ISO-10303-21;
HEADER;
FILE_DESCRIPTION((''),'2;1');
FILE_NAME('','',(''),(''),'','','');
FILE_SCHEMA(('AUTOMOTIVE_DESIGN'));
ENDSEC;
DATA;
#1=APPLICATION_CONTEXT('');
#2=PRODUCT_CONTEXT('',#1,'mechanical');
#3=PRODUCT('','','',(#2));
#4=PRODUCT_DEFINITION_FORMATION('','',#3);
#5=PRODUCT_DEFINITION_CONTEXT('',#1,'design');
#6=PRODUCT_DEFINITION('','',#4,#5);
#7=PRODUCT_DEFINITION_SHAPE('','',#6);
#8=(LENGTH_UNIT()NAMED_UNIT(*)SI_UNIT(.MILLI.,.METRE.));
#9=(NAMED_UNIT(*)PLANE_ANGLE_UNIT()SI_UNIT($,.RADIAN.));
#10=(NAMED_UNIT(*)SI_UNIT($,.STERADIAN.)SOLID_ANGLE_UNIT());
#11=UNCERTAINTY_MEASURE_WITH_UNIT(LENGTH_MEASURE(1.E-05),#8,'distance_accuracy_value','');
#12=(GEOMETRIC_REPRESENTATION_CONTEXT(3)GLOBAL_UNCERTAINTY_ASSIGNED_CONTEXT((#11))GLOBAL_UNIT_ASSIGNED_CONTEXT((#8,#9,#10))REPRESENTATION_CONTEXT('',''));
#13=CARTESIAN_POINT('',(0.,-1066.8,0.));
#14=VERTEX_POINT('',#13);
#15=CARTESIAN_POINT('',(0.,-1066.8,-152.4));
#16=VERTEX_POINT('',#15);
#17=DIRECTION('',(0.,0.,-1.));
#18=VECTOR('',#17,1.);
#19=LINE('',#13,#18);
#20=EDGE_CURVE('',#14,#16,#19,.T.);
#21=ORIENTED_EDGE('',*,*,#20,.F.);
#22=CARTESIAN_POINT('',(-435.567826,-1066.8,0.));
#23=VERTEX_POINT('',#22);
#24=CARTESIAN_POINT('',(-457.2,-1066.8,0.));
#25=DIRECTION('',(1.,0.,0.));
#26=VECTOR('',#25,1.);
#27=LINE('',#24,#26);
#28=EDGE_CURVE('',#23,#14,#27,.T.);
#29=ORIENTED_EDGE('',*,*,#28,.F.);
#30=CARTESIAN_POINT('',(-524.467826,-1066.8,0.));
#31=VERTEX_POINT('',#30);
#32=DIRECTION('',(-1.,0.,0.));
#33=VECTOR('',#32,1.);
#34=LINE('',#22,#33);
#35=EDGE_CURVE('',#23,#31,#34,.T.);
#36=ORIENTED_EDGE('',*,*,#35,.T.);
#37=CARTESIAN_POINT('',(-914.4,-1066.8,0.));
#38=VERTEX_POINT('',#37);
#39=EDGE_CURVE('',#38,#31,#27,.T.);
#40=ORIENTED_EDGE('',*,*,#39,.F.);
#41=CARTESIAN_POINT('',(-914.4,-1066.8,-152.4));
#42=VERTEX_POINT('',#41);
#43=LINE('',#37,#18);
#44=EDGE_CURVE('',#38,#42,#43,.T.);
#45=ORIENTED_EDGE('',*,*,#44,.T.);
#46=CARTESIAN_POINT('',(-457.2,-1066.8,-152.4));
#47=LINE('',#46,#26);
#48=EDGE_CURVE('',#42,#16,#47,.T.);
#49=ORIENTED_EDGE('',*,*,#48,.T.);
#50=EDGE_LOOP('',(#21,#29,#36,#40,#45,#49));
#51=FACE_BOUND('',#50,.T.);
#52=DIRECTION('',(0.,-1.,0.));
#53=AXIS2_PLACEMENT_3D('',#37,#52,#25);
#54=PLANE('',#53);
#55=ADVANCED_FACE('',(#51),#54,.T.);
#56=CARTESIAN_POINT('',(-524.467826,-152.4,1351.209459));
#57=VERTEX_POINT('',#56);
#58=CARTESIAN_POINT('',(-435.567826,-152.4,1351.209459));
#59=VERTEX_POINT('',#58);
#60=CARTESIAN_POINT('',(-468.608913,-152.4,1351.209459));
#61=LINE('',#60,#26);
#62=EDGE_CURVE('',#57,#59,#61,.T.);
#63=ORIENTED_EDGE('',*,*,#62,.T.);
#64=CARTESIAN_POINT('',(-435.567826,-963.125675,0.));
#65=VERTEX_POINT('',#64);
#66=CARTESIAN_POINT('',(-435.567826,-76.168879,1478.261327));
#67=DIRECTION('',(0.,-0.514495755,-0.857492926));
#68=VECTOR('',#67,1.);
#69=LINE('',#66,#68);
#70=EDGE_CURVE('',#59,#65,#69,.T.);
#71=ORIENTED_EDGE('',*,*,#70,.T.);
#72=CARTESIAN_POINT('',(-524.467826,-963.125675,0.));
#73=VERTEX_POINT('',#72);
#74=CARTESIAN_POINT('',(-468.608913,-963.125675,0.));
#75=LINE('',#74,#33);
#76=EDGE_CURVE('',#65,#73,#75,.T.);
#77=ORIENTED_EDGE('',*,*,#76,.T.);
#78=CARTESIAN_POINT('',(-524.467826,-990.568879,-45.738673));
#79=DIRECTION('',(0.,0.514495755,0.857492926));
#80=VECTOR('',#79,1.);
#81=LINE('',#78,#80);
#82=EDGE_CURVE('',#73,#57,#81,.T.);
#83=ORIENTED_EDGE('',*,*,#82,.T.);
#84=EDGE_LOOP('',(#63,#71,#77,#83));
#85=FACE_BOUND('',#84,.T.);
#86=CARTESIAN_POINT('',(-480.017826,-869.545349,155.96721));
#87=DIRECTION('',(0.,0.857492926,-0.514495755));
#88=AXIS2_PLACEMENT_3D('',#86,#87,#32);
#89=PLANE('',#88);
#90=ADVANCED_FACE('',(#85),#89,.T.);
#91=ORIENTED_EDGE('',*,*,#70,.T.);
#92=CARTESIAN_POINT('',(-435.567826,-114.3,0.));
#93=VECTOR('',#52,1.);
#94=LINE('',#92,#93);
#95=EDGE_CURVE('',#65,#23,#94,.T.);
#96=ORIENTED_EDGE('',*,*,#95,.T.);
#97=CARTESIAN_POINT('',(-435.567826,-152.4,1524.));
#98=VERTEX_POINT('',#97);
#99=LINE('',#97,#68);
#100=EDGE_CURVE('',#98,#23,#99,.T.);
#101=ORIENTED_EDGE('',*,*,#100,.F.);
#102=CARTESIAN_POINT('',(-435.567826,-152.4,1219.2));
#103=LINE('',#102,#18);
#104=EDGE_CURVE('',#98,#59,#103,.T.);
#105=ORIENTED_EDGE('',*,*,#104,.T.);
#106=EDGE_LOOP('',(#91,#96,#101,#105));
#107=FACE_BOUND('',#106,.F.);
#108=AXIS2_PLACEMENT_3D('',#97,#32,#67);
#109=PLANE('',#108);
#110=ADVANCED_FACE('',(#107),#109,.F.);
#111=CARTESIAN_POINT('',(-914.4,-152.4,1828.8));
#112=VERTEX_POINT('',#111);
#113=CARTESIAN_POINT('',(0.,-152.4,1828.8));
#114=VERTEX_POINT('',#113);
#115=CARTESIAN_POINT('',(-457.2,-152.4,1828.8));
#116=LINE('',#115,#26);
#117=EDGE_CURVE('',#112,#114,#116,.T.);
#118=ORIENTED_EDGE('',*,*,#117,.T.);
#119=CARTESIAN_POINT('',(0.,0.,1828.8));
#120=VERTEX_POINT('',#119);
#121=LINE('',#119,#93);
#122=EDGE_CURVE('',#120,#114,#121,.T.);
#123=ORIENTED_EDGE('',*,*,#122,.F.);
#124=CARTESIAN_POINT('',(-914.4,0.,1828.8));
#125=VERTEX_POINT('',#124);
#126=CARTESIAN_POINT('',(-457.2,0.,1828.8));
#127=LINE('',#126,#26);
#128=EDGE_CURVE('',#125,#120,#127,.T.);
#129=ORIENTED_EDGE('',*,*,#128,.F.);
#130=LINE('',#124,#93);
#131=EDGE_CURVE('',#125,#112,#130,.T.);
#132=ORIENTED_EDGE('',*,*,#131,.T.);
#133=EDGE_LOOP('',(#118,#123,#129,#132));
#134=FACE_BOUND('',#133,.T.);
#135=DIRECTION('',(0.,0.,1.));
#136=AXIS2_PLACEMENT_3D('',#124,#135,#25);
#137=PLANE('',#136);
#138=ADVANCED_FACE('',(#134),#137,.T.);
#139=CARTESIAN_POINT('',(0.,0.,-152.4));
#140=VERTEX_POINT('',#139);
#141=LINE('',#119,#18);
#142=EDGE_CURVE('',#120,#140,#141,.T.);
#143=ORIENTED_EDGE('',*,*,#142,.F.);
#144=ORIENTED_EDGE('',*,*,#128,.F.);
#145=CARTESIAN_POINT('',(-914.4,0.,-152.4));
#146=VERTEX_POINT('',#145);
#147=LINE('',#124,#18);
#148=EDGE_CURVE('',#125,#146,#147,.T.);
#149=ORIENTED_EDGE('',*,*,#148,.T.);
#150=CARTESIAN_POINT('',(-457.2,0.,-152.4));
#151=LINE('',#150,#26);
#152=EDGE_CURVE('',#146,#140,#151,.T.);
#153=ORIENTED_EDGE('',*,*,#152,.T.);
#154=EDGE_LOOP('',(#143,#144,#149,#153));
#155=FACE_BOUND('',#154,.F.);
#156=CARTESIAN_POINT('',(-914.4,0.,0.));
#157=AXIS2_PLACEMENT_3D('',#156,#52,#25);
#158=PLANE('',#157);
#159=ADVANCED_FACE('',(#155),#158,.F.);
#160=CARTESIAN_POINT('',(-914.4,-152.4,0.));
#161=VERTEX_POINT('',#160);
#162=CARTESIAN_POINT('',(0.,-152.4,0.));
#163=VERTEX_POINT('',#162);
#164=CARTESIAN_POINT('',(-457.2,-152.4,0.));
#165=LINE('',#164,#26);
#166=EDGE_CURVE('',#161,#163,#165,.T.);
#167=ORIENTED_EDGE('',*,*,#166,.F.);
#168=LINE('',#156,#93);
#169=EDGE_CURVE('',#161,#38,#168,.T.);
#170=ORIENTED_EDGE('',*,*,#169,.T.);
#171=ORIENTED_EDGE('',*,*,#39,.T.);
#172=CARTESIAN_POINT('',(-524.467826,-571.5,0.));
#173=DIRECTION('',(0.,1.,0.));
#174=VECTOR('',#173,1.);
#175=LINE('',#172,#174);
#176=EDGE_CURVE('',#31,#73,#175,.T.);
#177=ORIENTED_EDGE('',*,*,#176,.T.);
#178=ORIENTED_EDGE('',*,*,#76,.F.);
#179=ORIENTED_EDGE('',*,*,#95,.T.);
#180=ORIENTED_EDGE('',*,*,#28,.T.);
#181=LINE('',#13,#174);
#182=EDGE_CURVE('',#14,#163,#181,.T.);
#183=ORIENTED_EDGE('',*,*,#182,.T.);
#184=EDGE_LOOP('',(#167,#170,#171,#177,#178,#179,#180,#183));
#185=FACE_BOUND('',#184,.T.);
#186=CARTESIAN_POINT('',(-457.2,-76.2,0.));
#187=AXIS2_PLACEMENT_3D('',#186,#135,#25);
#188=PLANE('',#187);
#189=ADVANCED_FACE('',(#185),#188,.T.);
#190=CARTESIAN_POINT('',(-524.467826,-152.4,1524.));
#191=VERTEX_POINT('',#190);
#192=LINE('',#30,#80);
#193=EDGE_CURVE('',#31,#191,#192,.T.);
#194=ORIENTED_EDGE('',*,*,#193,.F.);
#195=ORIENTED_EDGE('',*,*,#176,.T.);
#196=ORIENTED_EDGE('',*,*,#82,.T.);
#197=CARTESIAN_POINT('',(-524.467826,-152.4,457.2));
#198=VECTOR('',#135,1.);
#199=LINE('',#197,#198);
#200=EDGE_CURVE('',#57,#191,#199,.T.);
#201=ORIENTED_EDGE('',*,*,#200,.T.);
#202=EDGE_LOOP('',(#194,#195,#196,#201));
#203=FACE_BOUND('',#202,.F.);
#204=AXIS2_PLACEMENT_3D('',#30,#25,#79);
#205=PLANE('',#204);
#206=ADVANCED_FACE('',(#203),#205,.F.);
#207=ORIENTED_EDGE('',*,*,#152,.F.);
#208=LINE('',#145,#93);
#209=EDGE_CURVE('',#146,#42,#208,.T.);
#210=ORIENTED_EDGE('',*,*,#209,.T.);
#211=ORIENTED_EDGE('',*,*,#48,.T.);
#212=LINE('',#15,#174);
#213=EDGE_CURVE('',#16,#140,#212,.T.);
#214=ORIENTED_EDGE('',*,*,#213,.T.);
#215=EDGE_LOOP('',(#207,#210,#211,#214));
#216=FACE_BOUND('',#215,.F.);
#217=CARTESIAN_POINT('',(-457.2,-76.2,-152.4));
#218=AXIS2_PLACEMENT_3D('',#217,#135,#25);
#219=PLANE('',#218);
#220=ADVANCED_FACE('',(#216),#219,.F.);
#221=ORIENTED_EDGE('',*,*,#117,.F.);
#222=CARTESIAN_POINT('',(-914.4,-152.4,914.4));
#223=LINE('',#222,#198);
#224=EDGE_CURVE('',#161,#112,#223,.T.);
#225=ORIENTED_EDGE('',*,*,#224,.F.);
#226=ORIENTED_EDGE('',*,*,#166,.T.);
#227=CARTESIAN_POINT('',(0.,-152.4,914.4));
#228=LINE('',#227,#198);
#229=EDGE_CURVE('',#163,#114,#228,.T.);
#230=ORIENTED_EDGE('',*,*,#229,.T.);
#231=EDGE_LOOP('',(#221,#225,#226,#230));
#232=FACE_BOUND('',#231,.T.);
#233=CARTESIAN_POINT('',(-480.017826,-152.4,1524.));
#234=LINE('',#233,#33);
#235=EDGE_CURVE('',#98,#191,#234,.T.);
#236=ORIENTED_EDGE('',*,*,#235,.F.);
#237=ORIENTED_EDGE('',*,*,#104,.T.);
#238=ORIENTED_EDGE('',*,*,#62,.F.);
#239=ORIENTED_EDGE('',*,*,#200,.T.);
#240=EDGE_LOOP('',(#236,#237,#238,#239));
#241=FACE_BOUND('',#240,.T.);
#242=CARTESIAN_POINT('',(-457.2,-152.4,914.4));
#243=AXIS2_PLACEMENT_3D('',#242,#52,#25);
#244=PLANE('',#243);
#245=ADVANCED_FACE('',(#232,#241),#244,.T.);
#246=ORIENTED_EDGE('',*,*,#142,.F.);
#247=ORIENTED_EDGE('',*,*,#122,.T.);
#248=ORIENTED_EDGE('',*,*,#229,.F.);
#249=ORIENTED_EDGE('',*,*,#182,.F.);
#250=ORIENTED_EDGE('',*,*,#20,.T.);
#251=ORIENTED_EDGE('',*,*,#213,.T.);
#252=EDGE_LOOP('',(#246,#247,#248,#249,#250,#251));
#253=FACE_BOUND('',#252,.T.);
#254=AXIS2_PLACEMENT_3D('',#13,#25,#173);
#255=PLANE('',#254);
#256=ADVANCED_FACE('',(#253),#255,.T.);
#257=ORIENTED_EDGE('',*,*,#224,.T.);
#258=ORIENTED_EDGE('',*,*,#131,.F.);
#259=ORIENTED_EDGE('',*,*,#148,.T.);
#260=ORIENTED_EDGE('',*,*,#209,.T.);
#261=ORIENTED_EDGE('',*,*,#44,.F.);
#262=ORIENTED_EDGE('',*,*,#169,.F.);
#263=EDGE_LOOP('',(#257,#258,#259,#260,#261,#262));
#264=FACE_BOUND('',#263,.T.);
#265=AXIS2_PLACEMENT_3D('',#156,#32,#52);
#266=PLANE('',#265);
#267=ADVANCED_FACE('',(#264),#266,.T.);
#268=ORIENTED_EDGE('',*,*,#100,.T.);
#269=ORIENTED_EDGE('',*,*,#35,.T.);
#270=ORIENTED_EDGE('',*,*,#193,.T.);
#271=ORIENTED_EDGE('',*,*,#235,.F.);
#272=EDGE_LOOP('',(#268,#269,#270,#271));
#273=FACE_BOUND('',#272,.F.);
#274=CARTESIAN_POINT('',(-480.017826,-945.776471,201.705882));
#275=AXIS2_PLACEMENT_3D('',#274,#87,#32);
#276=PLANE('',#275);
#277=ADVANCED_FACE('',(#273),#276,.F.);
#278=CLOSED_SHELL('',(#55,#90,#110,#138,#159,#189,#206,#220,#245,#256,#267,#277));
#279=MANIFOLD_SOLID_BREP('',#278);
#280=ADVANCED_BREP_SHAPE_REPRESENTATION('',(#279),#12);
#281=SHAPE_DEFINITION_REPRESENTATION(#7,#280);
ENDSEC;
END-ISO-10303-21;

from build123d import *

# Parameters (mm, degrees)
F0_W     = 914.4
F0_H     = 1828.8
F1_DEPTH = 152.4
F2_W     = 914.4
F2_H     = 152.4
F2_H_2   = 914.4
F3_DEPTH = 152.4
F7_W     = 88.9
F7_H     = 1306.8192187859
F8_DEPTH = 88.9


with BuildPart() as f1:
    # F0 (on Front) → F1 (new body)
    with BuildSketch(Plane.XZ):
        with Locations((-457.2, 914.4)):
            Rectangle(F0_W, F0_H)
    extrude(amount=F1_DEPTH)

    # F2 (on Top) → F3 (join)
    with BuildSketch(Plane.XY):
        with Locations((-457.2, -76.2)):
            Rectangle(F2_W, F2_H)
        with Locations((-457.2, -609.6)):
            Rectangle(F2_W, F2_H_2)
    extrude(amount=-F3_DEPTH)

    # F7 (on 3pt) → F8 (join)
    with BuildSketch(Plane(origin=(0, -784.4117647059, 470.6470588235), x_dir=(-1, 0, 0), z_dir=(0, 0.8574929257, -0.5144957554))):
        Polygon((435.5678258105, -548.8640718901), (524.4678258105, -548.8640718901), (524.4678258105, -503.1253992326), (524.4678258105, -78.4091531272), (435.5678258105, -78.4091531272), (435.5678258105, -503.1253992326), align=None)
        with Locations((480.0178258105, 575.0004562658)):
            Rectangle(F7_W, F7_H)
    extrude(amount=F8_DEPTH)


solid = f1.part
